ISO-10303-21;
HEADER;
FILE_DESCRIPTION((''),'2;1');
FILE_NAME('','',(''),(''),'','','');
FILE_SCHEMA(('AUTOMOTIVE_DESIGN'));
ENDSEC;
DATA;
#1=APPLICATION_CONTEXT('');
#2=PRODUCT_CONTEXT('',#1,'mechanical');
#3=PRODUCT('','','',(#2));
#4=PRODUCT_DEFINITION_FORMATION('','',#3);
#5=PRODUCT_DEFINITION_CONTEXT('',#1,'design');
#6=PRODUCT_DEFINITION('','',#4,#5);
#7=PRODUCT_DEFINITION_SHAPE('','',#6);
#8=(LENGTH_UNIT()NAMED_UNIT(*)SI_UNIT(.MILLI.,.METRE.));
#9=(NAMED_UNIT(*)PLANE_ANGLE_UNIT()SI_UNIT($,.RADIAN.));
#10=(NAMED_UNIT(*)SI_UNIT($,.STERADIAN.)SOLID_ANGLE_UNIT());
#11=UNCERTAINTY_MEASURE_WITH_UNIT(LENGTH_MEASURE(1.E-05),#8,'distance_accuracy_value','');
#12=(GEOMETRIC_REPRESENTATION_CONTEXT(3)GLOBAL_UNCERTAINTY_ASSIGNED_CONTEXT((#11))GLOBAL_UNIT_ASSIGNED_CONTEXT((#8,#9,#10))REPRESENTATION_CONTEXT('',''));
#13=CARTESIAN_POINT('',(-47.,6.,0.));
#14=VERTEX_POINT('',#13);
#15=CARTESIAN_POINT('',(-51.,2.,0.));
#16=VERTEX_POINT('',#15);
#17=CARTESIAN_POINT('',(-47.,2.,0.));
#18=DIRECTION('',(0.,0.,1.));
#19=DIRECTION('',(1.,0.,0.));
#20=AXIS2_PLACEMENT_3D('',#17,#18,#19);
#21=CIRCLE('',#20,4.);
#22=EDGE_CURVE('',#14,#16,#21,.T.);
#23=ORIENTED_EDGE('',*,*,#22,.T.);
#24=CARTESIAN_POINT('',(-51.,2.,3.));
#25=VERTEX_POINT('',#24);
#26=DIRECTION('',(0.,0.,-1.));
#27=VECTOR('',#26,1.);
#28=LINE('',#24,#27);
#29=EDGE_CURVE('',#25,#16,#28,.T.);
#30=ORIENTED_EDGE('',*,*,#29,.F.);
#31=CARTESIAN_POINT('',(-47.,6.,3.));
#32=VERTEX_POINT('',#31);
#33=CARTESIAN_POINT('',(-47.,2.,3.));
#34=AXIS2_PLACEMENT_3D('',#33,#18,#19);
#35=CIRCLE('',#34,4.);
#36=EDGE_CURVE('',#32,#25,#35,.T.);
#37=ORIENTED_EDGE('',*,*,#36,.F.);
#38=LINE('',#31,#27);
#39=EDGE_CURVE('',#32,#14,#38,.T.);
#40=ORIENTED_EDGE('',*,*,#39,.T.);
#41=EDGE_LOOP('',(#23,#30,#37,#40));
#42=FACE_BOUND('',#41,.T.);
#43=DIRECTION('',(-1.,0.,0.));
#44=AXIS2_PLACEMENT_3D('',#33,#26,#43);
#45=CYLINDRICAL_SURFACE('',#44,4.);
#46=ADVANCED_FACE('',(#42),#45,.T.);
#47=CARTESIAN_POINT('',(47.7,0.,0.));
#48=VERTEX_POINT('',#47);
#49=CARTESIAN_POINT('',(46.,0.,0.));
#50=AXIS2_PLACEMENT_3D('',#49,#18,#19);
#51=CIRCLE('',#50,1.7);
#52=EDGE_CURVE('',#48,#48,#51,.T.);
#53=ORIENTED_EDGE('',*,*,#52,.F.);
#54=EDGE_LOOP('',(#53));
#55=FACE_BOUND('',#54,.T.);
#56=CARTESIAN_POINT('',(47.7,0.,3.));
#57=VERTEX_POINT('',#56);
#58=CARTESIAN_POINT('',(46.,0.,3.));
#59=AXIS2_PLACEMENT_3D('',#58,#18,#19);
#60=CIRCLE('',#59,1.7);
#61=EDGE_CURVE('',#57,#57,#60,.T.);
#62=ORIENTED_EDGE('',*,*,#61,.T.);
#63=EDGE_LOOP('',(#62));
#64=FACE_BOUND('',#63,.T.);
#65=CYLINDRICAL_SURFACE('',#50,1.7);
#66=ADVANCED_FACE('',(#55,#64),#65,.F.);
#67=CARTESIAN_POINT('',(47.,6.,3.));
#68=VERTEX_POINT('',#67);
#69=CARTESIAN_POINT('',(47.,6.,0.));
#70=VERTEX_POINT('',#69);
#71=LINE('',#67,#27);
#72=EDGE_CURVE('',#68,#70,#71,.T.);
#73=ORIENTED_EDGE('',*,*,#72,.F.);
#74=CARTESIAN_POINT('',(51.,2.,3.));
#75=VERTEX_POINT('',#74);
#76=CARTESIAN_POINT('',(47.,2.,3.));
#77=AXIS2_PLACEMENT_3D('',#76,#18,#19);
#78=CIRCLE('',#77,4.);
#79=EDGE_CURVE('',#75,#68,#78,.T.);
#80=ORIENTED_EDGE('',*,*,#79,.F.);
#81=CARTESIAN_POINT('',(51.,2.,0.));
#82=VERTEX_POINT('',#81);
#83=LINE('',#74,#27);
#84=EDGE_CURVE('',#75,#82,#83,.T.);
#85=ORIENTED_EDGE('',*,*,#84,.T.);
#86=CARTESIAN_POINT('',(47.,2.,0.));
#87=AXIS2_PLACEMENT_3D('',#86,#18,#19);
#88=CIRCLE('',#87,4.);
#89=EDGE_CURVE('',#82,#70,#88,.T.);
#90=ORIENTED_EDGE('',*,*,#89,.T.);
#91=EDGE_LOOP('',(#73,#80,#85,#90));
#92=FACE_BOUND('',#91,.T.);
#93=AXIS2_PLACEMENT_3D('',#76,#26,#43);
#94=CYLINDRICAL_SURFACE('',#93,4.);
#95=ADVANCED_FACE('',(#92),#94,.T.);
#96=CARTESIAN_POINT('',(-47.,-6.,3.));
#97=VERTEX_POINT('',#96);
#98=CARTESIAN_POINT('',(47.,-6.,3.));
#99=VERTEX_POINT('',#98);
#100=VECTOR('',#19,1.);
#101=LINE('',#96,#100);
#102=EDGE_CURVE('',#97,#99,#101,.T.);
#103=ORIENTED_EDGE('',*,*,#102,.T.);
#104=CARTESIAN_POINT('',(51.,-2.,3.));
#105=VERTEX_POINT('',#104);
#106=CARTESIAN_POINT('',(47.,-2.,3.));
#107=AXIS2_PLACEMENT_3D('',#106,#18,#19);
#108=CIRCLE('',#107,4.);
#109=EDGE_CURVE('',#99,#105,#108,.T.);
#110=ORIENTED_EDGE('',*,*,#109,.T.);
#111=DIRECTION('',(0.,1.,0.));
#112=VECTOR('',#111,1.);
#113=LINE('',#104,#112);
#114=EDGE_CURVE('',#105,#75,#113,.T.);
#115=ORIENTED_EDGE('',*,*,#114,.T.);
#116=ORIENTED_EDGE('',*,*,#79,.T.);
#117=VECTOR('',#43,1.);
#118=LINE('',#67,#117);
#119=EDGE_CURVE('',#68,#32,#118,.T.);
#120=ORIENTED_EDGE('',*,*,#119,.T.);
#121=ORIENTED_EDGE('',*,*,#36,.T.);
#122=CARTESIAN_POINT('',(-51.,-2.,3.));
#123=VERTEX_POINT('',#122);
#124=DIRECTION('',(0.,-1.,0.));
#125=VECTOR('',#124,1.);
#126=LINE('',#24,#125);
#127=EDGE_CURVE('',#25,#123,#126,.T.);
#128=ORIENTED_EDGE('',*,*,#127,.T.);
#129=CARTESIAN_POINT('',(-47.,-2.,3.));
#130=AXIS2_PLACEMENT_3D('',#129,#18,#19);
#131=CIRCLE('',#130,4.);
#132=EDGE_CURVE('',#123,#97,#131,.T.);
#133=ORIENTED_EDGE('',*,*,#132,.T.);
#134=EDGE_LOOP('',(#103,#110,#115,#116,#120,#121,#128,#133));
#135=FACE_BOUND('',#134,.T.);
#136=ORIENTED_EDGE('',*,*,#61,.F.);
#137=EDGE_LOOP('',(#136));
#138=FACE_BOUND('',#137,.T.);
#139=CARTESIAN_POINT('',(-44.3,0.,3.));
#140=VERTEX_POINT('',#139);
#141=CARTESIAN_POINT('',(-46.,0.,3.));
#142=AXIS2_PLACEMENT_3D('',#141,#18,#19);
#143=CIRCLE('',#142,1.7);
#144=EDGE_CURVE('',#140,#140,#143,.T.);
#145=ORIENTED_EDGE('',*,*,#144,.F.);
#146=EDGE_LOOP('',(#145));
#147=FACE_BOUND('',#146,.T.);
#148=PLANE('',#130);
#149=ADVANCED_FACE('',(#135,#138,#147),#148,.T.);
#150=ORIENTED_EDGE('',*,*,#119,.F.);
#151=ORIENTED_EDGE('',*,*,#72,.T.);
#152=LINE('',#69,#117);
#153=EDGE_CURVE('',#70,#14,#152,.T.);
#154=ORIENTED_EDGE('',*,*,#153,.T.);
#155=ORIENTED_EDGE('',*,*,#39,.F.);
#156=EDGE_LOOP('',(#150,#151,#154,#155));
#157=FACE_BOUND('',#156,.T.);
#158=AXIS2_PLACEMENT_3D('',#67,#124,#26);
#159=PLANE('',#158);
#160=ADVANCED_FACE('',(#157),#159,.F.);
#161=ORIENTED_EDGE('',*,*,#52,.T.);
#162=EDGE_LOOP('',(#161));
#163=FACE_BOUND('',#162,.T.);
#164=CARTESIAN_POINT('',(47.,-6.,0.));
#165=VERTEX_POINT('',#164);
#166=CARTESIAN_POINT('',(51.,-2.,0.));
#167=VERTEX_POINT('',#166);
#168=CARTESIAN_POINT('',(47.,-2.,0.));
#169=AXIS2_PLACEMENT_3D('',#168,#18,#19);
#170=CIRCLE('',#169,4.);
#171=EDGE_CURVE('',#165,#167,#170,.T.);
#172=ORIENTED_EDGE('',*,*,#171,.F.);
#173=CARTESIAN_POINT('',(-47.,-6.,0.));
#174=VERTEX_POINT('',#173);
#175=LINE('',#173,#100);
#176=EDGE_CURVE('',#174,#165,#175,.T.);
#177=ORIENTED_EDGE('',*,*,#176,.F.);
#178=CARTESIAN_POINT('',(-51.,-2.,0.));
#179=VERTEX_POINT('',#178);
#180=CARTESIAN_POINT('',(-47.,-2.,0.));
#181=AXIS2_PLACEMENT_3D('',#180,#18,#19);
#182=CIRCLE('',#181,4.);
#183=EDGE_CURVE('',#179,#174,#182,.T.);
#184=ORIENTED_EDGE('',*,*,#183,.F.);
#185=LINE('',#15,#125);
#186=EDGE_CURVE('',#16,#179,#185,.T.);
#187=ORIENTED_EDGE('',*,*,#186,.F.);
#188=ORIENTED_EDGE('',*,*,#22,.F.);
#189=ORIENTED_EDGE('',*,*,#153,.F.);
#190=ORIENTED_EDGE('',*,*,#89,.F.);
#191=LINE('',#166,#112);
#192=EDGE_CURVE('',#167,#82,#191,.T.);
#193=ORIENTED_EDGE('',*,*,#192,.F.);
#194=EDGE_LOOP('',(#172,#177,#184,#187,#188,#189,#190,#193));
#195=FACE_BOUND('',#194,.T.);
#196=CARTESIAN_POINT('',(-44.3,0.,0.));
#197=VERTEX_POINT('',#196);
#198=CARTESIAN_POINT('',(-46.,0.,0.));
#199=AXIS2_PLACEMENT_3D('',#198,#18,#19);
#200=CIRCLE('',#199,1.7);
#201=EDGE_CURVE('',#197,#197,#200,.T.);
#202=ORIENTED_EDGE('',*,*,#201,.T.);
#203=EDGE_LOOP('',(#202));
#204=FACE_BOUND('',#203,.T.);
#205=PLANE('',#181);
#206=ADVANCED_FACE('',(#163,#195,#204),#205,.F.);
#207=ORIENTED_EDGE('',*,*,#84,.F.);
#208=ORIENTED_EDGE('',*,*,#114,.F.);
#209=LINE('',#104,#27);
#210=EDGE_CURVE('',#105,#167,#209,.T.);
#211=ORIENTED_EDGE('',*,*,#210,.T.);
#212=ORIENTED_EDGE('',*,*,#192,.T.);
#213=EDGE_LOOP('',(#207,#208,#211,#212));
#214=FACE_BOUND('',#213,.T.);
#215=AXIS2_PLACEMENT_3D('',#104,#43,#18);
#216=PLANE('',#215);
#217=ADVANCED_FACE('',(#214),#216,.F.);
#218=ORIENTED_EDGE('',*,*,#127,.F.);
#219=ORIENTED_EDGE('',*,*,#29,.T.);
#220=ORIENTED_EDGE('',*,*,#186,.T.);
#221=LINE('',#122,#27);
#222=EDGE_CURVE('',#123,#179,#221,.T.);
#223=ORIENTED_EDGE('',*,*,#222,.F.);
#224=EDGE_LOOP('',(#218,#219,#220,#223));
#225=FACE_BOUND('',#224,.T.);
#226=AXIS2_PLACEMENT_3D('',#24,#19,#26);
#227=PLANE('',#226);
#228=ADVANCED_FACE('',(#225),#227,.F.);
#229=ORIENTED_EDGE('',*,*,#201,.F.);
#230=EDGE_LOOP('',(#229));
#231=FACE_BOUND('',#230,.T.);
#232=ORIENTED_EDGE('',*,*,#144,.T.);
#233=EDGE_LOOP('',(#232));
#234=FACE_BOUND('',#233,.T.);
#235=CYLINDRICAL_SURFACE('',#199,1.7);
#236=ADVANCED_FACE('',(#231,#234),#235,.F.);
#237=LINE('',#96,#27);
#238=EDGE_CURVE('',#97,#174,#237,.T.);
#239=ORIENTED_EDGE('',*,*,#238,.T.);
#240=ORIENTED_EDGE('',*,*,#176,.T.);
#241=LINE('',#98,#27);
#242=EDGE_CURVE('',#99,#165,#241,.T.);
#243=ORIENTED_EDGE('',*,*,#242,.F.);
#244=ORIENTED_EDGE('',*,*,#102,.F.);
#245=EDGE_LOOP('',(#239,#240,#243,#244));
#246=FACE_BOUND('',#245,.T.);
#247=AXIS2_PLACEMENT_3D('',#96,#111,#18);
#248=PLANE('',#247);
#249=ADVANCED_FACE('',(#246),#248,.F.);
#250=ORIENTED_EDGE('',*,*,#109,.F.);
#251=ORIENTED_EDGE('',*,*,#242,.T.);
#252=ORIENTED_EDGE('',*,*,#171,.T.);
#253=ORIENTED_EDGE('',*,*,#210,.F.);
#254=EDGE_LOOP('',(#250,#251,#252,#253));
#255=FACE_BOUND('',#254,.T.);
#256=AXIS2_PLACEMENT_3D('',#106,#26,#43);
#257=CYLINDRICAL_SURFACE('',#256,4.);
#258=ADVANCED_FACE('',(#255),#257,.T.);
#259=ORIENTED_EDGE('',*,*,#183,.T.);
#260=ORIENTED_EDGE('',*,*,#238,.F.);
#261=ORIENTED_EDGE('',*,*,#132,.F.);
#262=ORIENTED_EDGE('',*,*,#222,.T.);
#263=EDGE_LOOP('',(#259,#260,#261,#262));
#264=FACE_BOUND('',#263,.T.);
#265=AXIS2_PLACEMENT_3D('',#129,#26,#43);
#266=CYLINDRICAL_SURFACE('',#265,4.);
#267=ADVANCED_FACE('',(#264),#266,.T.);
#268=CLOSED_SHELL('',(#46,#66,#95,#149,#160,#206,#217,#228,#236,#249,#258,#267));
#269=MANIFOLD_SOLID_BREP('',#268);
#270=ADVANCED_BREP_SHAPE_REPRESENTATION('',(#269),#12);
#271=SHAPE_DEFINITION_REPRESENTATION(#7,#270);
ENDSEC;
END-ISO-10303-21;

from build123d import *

# Parameters (mm, degrees)
BOSS_EXTRUDE1_DEPTH = 3
SKETCH2_R           = 1.7
CUT_EXTRUDE1_DEPTH  = 52.439284598


with BuildPart() as part:
    # Sketch1 → Boss-Extrude1 (new body)
    with BuildSketch(Plane.XY):
        with BuildLine():
            Line((-47, -6), (47, -6))
            ThreePointArc((47, -6), (49.828427125, -4.828427125), (51, -2))
            Line((51, -2), (51, 2))
            ThreePointArc((51, 2), (49.828427125, 4.828427125), (47, 6))
            Line((47, 6), (-47, 6))
            ThreePointArc((-47, 6), (-49.828427125, 4.828427125), (-51, 2))
            Line((-51, 2), (-51, -2))
            ThreePointArc((-51, -2), (-49.828427125, -4.828427125), (-47, -6))
        make_face()
    extrude(amount=BOSS_EXTRUDE1_DEPTH)

    # Sketch2 → Cut-Extrude1 (cut, through all)
    with BuildSketch(Plane.XY.offset(3)):
        with Locations((-46, 0)):
            Circle(SKETCH2_R)
        with Locations((46, 0)):
            Circle(SKETCH2_R)
    extrude(amount=-CUT_EXTRUDE1_DEPTH, mode=Mode.SUBTRACT)


solid = part.part
